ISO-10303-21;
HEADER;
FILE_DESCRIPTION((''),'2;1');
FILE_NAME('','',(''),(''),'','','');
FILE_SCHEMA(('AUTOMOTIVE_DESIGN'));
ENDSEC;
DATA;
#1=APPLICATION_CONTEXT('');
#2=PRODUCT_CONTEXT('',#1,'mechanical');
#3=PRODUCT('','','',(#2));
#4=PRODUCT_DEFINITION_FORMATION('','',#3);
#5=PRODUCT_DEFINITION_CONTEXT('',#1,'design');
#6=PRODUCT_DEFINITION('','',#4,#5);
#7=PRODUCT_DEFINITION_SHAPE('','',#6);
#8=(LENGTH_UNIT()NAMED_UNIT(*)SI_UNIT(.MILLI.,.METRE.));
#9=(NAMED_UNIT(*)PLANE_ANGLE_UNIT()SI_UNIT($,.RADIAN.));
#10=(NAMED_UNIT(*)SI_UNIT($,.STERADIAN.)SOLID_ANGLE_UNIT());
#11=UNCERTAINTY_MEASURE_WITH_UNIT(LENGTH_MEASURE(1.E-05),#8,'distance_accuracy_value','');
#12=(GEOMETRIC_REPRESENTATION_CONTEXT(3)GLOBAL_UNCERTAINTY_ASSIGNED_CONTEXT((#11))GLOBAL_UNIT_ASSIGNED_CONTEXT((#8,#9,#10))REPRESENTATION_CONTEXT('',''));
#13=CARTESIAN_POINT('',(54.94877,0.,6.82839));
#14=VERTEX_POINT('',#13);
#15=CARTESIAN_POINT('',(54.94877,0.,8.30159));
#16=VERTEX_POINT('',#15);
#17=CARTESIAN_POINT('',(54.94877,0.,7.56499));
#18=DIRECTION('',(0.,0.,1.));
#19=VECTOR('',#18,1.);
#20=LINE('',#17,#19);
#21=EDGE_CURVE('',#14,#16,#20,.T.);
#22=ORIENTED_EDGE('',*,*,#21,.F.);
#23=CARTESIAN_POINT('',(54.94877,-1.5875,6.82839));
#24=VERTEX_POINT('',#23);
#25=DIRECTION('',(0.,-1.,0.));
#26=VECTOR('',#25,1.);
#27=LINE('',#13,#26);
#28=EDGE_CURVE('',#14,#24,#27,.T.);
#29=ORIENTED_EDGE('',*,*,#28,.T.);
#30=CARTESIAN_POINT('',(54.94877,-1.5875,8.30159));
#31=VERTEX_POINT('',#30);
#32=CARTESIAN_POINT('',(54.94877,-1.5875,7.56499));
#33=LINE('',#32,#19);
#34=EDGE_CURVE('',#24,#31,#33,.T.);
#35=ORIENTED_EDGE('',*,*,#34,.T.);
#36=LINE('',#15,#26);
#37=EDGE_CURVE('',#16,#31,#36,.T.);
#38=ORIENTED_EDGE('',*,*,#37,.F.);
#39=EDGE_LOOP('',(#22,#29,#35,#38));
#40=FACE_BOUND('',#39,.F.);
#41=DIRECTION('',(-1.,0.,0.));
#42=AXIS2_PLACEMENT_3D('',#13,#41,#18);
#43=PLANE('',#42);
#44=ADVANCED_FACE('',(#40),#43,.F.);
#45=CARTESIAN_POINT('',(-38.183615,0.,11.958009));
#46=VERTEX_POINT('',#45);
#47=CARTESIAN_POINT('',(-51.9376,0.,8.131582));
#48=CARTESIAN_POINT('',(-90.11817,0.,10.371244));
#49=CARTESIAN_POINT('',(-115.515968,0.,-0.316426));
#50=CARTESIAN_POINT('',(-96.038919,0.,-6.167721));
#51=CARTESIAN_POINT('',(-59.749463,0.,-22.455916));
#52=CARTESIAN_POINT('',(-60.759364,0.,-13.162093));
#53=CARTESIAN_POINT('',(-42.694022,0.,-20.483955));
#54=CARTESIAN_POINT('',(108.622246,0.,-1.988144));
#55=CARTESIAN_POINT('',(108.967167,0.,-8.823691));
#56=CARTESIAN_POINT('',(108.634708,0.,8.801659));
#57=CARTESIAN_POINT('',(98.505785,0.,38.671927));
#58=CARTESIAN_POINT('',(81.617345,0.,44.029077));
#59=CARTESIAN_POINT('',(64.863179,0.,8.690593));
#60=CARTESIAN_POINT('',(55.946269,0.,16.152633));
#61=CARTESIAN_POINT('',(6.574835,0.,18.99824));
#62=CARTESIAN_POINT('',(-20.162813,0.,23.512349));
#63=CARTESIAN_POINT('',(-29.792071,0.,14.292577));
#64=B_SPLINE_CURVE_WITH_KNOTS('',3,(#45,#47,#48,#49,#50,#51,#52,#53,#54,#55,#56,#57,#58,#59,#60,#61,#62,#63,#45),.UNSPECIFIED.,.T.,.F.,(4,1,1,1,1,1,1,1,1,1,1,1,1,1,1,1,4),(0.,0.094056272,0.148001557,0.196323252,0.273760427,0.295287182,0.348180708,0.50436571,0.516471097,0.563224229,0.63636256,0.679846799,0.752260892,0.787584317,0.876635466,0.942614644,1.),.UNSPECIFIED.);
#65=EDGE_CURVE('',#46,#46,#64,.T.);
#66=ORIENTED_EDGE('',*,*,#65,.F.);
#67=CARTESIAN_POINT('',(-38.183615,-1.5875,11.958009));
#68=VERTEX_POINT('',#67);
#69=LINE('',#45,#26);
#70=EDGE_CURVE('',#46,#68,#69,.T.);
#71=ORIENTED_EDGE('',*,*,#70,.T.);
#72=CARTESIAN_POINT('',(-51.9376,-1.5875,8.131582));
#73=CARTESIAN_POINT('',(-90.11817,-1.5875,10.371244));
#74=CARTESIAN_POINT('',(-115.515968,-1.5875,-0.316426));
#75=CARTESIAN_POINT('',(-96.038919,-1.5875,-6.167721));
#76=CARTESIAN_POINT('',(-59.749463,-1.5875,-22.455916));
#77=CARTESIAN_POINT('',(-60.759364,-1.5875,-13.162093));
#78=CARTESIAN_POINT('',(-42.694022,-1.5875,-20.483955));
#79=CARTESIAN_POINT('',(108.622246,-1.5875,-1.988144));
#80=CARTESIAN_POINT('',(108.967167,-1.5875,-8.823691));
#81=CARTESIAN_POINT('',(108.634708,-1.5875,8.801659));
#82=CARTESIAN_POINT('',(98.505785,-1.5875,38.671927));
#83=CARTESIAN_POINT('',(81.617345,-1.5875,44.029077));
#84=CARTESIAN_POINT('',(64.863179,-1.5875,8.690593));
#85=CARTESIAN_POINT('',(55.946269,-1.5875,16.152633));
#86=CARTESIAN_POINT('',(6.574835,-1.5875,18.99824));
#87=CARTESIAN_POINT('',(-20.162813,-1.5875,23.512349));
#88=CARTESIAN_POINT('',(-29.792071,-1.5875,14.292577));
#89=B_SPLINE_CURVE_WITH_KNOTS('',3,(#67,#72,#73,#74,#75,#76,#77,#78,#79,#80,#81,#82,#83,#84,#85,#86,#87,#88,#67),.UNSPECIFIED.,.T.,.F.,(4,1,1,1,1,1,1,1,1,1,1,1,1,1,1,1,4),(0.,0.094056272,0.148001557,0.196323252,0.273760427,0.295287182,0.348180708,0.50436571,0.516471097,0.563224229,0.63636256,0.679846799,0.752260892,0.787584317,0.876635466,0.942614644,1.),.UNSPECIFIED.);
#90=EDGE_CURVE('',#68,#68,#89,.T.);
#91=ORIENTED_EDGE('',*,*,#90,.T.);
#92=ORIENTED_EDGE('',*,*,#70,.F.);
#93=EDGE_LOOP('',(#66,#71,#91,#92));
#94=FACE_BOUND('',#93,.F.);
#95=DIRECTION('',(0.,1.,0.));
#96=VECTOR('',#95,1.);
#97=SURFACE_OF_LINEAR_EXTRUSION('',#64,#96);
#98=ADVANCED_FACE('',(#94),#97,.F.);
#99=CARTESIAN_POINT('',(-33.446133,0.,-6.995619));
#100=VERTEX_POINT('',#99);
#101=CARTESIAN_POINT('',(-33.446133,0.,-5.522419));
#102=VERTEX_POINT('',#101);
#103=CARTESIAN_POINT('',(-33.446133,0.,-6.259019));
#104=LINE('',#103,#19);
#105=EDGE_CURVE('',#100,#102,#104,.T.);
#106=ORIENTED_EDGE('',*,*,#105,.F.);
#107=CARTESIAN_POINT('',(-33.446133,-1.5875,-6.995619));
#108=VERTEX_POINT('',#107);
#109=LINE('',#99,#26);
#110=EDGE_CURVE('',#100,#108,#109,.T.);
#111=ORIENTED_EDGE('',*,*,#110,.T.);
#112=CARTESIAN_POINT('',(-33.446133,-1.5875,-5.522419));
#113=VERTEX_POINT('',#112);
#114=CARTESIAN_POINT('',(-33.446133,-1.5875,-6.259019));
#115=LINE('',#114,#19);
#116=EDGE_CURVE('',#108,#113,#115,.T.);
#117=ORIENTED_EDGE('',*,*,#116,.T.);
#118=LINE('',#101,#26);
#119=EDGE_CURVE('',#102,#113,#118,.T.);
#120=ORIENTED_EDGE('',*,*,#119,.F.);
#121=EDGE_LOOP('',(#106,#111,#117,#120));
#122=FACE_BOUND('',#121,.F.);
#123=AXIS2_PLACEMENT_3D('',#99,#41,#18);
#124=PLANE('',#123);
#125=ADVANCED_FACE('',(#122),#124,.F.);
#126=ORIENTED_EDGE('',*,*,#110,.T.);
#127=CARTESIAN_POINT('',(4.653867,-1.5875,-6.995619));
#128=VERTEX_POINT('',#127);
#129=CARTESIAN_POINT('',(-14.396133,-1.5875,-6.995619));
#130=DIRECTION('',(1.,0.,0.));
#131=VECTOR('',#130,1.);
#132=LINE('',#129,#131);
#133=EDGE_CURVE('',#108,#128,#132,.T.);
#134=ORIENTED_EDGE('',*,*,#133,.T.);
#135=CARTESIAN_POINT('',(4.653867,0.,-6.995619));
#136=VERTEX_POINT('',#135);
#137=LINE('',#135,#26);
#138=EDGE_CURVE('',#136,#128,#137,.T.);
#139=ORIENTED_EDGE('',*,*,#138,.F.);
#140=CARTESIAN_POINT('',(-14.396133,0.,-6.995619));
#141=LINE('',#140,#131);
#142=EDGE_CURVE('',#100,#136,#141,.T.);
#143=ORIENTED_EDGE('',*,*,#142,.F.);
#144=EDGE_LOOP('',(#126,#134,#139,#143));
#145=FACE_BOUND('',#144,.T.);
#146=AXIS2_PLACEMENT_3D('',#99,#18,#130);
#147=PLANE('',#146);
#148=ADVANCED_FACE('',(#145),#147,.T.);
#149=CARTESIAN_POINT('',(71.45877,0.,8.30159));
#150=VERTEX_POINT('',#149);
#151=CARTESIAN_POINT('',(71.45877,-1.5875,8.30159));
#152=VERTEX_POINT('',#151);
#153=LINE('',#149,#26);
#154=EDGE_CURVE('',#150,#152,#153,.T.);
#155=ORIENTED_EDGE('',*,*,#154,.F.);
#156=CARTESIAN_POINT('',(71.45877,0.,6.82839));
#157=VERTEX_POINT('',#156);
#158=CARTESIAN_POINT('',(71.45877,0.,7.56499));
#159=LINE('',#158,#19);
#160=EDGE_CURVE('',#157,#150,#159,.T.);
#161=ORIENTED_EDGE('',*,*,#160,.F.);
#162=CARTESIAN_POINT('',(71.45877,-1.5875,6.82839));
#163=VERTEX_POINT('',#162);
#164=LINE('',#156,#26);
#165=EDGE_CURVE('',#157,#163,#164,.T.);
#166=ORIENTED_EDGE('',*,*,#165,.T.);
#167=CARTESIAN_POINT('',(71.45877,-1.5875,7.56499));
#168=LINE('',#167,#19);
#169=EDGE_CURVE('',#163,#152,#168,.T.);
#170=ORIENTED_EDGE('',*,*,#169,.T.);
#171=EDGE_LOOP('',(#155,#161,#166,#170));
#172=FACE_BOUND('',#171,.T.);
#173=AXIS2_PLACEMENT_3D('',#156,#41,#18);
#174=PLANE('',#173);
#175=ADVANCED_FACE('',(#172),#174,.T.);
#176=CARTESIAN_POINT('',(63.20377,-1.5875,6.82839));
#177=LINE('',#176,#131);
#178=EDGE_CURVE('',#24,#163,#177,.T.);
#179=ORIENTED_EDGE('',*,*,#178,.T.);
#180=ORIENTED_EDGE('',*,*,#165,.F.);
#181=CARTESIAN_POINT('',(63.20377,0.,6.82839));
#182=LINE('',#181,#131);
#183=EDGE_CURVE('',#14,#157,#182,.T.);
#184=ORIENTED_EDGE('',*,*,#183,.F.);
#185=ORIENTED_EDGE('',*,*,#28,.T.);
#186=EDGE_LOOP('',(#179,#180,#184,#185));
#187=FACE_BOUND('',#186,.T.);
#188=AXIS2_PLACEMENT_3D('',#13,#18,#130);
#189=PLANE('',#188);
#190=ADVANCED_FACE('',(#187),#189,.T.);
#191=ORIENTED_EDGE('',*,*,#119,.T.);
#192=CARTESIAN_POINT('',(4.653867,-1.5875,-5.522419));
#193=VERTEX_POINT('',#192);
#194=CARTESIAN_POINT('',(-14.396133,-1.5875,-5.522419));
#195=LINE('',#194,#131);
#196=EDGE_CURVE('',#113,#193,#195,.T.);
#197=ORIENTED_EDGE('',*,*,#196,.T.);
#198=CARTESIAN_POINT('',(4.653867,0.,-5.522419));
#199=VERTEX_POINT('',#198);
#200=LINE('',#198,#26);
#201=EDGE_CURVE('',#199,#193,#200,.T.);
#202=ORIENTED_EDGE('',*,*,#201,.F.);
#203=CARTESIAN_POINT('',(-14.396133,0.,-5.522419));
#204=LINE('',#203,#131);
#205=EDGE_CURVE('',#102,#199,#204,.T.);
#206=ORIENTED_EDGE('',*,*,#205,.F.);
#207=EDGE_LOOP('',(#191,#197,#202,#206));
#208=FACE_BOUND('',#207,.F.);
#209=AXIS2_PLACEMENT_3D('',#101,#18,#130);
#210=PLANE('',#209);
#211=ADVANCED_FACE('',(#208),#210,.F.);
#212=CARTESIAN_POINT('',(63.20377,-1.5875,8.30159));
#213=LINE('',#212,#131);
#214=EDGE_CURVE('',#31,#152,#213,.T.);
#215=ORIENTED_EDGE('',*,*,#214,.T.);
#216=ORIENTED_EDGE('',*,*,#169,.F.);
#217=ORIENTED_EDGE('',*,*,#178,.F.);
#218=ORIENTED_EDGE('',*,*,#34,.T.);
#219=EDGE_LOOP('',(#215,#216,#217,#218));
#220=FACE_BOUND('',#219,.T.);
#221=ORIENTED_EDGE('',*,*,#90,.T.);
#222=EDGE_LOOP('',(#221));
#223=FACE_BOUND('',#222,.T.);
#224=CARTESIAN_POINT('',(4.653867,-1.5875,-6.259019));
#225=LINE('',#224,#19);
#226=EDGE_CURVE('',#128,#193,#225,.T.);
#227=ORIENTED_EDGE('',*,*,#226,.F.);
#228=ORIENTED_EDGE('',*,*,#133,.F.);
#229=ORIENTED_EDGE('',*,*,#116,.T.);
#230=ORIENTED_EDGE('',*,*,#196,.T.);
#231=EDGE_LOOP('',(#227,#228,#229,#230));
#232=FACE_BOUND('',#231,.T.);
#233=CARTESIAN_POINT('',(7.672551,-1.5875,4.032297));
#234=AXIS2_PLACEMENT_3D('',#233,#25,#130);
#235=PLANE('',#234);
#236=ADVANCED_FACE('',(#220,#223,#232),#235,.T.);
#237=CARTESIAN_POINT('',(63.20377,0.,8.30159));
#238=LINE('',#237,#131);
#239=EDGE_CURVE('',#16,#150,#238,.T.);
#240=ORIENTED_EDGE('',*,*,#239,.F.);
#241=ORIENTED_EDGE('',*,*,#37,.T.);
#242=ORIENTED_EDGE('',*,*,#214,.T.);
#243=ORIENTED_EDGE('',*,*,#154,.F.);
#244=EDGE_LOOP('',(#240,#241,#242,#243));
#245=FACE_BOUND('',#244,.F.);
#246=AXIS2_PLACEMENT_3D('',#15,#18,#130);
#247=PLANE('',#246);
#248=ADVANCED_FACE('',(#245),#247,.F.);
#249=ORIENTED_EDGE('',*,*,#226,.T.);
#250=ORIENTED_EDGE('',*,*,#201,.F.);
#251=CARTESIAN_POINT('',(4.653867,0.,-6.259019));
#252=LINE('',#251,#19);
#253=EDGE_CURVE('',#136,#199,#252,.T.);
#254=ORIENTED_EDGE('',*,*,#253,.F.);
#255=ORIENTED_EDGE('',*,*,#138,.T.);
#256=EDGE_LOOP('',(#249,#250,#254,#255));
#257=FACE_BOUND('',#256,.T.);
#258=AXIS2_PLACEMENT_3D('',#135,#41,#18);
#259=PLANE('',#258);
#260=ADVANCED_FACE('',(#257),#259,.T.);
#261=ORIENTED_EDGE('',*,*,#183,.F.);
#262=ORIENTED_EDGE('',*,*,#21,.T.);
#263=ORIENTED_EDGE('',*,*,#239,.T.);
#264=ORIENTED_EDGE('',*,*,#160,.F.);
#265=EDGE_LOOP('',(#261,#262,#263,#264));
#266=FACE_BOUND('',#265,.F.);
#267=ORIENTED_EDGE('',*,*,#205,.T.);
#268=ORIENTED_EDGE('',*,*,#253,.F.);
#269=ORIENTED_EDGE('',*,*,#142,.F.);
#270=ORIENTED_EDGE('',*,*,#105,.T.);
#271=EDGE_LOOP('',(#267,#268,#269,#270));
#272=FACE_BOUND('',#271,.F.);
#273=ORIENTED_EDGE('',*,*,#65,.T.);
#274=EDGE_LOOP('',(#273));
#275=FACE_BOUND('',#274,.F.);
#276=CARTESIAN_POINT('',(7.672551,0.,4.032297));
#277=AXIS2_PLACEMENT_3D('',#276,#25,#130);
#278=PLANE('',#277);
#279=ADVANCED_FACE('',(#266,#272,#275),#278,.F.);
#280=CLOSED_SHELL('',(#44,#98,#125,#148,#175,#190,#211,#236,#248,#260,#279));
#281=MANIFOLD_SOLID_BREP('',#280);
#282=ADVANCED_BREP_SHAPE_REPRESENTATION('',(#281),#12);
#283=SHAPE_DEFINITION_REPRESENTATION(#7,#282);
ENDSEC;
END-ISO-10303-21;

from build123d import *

# Parameters (mm, degrees)
F0_W     = 38.1
F0_H     = 1.4732
F0_W_2   = 16.51
F1_DEPTH = 1.5875


with BuildPart() as f1:
    # F0 (on Front) → F1 (new body)
    with BuildSketch(Plane.XZ):
        with BuildLine():
            add(Edge.make_bspline(
                [(0, -13.539640737), (45.0586353666, -10.1128233368), (108.6915810439, -3.3622056642), (108.9671671069, -8.8236907827), (108.6347077212, 8.8016587489), (98.5057848247, 38.6719265885), (81.6173451851, 44.0290765576), (64.8631794579, 8.6905932022), (55.946269091, 16.1526326679), (6.5748353042, 18.9982404723), (-20.1628128761, 23.5123493733), (-29.7920707719, 14.2925773529), (-38.1836146116, 11.9580086321)],
                knots=[0.3914081298, 0.3914081298, 0.3914081298, 0.3914081298, 0.5043657104, 0.5164710968, 0.5632242288, 0.6363625602, 0.6798467986, 0.7522608922, 0.7875843171, 0.8766354658, 0.9426146437, 1, 1, 1, 1], degree=3))
            add(Edge.make_bspline(
                [(-38.1836146116, 11.9580086321), (-51.9375995601, 8.1315824511), (-90.1181704799, 10.3712440235), (-115.5159682605, -0.3164260115), (-96.0389185045, -6.1677211534), (-59.7494629287, -22.4559158501), (-60.7593636117, -13.1620926773), (-51.5429837396, -16.8974810474), (-17.2433635473, -14.8510399341), (0, -13.539640737)],
                knots=[0, 0, 0, 0, 0.0940562717, 0.1480015567, 0.1963232523, 0.2737604273, 0.295287182, 0.3481807082, 0.3914081298, 0.3914081298, 0.3914081298, 0.3914081298], degree=3))
        make_face()
        with Locations((-14.3961331367, -6.2590192747)):
            Rectangle(F0_W, F0_H, mode=Mode.SUBTRACT)
        with Locations((63.2037695098, 7.5649900619)):
            Rectangle(F0_W_2, F0_H, mode=Mode.SUBTRACT)
    extrude(amount=F1_DEPTH)


solid = f1.part
